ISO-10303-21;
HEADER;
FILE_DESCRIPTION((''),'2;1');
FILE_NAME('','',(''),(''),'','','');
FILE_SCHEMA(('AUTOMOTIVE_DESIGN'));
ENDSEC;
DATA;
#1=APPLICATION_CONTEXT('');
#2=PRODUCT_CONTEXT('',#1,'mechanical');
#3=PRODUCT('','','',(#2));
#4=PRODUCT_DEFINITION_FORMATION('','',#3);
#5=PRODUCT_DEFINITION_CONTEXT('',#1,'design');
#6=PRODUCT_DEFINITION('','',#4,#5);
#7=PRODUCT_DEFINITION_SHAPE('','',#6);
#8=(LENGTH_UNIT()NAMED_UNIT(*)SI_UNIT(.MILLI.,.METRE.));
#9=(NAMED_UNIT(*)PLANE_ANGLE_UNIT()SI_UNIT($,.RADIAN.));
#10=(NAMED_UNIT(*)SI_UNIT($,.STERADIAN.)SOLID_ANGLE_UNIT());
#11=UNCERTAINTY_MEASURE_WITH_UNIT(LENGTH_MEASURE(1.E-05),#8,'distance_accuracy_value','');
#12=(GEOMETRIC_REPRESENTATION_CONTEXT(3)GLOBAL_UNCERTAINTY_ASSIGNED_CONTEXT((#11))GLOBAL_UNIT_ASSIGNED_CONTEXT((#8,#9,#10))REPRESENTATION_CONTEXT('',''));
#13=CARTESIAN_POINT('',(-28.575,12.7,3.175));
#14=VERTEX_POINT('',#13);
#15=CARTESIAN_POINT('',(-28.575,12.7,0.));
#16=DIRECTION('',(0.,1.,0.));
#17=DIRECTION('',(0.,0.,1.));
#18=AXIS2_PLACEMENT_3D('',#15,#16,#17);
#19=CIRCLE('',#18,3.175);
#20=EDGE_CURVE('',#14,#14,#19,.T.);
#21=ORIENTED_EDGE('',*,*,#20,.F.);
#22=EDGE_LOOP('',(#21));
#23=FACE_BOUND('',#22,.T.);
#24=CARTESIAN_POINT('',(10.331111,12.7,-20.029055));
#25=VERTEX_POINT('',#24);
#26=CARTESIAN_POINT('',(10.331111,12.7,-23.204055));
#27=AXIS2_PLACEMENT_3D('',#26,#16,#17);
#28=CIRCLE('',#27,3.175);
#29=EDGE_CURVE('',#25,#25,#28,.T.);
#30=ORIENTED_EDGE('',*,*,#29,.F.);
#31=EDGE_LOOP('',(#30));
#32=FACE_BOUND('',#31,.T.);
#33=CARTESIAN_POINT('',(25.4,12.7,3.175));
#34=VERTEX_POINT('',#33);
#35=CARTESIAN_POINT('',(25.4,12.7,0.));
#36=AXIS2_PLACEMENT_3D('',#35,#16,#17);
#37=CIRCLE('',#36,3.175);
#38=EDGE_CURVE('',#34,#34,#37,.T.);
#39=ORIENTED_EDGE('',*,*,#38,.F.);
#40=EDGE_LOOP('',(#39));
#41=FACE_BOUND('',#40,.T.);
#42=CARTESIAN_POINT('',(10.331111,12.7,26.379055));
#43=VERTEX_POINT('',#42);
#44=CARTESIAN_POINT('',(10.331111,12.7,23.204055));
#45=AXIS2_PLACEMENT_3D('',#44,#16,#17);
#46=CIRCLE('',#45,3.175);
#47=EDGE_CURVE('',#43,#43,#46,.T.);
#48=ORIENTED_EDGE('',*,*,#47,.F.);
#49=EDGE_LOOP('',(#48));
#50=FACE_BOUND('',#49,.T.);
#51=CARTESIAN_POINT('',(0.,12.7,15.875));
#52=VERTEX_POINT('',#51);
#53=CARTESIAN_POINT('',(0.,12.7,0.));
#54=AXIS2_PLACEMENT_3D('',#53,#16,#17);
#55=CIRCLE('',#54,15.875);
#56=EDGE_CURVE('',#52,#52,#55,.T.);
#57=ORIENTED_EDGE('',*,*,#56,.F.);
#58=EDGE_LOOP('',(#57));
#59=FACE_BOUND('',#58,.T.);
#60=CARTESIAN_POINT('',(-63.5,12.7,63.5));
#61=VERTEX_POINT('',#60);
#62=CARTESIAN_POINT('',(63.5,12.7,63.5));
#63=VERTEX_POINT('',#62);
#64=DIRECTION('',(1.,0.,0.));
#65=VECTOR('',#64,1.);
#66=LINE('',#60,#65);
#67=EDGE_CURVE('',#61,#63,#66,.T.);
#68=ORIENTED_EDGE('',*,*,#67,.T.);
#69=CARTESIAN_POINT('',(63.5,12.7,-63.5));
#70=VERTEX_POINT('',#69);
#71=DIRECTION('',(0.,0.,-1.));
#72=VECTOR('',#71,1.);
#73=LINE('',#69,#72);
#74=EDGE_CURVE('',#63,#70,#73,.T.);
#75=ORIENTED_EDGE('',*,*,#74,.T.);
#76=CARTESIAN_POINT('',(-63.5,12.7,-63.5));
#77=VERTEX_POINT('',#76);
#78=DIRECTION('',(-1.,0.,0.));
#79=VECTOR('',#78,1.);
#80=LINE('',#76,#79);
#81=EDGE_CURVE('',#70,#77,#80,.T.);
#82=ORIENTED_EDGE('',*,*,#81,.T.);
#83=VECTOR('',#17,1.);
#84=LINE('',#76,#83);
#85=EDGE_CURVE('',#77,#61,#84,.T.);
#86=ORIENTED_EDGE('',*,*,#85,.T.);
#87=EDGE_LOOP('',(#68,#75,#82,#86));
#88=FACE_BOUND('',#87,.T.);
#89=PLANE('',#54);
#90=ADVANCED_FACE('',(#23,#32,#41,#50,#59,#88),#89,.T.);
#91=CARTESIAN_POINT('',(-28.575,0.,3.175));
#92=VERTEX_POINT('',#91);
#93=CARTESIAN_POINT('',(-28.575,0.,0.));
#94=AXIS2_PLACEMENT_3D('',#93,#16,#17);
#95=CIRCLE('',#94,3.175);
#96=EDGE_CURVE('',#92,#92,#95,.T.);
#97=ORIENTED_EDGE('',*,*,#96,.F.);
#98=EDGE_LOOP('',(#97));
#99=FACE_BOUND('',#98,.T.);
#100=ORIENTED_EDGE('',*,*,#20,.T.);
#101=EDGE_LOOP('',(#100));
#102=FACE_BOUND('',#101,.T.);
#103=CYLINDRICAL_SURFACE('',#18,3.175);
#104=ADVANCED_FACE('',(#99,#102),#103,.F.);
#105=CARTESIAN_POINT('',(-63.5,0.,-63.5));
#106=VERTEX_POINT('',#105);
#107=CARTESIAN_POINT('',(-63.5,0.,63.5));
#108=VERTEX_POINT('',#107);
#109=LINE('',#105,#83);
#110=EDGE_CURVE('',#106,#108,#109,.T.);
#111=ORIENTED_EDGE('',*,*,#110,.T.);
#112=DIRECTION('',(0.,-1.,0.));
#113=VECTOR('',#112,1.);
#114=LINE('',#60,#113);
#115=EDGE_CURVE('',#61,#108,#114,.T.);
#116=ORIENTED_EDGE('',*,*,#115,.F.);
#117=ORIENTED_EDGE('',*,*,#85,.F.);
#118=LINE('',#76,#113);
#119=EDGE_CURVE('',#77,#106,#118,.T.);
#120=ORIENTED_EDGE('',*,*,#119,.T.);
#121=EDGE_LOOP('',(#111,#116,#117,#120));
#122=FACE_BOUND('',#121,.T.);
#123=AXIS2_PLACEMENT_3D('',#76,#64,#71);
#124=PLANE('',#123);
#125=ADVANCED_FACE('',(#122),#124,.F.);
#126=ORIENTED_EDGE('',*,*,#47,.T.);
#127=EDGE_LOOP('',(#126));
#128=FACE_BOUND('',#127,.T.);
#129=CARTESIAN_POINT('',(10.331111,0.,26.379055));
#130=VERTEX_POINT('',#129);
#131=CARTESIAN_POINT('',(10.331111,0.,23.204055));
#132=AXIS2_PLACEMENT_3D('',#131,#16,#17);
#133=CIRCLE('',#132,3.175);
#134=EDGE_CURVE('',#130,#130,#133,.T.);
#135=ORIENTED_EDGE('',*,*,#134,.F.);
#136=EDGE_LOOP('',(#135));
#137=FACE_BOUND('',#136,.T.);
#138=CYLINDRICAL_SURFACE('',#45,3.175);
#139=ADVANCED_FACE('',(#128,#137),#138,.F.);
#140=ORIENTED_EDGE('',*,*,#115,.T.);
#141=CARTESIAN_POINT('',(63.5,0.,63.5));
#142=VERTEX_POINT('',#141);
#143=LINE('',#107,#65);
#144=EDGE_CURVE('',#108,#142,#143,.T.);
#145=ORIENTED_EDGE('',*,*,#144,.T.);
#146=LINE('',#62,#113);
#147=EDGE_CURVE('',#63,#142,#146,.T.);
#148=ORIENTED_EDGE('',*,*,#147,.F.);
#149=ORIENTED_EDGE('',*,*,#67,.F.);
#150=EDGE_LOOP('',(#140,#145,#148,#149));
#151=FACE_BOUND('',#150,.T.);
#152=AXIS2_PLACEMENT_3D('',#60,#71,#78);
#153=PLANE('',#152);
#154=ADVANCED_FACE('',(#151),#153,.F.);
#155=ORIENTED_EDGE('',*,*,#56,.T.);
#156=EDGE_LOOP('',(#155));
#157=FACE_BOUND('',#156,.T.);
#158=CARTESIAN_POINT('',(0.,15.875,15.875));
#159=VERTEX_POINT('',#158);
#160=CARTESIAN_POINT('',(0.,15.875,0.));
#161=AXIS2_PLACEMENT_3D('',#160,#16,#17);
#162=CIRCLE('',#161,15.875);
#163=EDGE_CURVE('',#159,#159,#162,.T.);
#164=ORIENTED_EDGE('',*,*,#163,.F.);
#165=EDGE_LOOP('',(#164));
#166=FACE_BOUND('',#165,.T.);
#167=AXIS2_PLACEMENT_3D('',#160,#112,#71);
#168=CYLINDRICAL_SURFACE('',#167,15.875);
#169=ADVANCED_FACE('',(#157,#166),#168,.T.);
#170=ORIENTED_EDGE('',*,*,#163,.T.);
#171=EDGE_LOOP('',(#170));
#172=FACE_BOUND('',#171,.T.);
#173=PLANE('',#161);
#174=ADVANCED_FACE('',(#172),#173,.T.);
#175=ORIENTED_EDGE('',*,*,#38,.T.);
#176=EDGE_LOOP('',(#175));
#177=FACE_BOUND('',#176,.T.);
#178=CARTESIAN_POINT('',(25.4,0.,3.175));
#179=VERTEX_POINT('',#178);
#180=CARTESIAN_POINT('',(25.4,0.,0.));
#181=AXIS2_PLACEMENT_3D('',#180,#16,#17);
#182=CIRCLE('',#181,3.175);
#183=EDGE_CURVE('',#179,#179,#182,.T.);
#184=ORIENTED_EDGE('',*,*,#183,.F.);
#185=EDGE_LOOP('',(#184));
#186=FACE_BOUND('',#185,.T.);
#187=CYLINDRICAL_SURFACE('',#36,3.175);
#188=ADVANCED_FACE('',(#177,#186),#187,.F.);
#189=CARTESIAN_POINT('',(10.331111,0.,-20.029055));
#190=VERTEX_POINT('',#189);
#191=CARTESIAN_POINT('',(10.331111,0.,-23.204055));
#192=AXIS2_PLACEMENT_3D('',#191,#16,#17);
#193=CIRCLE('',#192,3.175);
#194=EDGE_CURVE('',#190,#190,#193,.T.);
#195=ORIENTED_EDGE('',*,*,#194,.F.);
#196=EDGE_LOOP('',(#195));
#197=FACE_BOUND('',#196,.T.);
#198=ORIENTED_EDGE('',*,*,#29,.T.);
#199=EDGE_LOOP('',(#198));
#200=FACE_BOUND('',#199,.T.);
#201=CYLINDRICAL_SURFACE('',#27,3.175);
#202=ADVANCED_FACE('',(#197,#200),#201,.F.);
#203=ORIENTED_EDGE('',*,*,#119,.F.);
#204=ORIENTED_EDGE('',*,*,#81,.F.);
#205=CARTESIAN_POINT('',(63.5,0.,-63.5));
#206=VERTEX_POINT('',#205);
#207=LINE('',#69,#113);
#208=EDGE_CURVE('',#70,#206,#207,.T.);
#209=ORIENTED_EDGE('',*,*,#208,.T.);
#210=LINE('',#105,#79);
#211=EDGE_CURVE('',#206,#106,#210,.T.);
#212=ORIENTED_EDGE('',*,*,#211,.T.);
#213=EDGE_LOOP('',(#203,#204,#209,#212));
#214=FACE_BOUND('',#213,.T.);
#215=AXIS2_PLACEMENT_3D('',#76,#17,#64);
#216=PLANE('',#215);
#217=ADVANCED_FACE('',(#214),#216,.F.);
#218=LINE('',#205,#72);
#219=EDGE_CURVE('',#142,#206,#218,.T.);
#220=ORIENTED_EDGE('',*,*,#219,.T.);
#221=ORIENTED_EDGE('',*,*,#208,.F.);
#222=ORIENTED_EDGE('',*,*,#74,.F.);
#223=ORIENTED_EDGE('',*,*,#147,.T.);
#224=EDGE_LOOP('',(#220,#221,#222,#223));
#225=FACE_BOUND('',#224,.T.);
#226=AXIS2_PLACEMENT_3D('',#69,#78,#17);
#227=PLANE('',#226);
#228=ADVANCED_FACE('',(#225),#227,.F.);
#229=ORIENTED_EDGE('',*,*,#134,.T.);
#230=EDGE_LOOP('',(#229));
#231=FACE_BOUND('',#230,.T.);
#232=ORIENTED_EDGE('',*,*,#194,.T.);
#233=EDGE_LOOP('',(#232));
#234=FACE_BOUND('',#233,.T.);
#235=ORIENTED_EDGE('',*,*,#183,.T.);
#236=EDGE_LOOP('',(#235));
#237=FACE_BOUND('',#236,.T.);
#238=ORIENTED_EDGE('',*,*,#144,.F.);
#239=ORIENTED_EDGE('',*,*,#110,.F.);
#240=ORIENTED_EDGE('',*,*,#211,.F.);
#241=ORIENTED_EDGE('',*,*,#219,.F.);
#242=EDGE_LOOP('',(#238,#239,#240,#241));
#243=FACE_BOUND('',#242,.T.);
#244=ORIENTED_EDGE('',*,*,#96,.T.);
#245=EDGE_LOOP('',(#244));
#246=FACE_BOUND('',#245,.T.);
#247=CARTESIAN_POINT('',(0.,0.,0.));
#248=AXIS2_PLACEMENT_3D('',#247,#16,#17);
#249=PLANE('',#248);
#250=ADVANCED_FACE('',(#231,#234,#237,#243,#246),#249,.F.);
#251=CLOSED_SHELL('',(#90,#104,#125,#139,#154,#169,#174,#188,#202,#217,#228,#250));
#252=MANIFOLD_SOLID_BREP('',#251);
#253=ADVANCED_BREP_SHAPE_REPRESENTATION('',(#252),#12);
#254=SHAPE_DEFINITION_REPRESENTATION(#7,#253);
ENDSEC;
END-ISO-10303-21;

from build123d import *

# Parameters (mm, degrees)
SKETCH1_W                   = 127
SKETCH1_H                   = 127
BOSS_EXTRUDE1_DEPTH         = 12.7
SKETCH3_R                   = 15.875
BOSS_EXTRUDE2_DEPTH         = 3.175
F_1_4_0_25_DIAMETER_HOLE1_D = 6.35
F_1_4_0_25_DIAMETER_HOLE2_D = 6.35


with BuildPart() as part:
    # Sketch1 → Boss-Extrude1 (new body)
    with BuildSketch(Plane(origin=(0, 0, 0), x_dir=(1, 0, 0), z_dir=(0, 1, 0))):
        Rectangle(SKETCH1_W, SKETCH1_H)
    extrude(amount=BOSS_EXTRUDE1_DEPTH)

    # Sketch3 → Boss-Extrude2 (add)
    with BuildSketch(Plane(origin=(0, 12.7, 0), x_dir=(1, 0, 0), z_dir=(0, 1, 0))):
        with Locations(Location((0, 0, 0), (0, 0, 270))):
            Circle(SKETCH3_R)
    extrude(amount=BOSS_EXTRUDE2_DEPTH)

    # 1/4 (0.25) Diameter Hole1 (through all)
    with Locations(Plane(origin=(0, 12.7, 0), x_dir=(1, 0, 0), z_dir=(0, 1, 0))):
        with Locations((10.331110734, 23.204054624), (25.4, 0), (10.331110734, -23.204054624)):
            Hole(F_1_4_0_25_DIAMETER_HOLE1_D / 2)

    # 1/4 (0.25) Diameter Hole2 (through all)
    with Locations(Plane(origin=(0, 12.7, 0), x_dir=(1, 0, 0), z_dir=(0, 1, 0))):
        with Locations((-28.575, 0)):
            Hole(F_1_4_0_25_DIAMETER_HOLE2_D / 2)


solid = part.part
